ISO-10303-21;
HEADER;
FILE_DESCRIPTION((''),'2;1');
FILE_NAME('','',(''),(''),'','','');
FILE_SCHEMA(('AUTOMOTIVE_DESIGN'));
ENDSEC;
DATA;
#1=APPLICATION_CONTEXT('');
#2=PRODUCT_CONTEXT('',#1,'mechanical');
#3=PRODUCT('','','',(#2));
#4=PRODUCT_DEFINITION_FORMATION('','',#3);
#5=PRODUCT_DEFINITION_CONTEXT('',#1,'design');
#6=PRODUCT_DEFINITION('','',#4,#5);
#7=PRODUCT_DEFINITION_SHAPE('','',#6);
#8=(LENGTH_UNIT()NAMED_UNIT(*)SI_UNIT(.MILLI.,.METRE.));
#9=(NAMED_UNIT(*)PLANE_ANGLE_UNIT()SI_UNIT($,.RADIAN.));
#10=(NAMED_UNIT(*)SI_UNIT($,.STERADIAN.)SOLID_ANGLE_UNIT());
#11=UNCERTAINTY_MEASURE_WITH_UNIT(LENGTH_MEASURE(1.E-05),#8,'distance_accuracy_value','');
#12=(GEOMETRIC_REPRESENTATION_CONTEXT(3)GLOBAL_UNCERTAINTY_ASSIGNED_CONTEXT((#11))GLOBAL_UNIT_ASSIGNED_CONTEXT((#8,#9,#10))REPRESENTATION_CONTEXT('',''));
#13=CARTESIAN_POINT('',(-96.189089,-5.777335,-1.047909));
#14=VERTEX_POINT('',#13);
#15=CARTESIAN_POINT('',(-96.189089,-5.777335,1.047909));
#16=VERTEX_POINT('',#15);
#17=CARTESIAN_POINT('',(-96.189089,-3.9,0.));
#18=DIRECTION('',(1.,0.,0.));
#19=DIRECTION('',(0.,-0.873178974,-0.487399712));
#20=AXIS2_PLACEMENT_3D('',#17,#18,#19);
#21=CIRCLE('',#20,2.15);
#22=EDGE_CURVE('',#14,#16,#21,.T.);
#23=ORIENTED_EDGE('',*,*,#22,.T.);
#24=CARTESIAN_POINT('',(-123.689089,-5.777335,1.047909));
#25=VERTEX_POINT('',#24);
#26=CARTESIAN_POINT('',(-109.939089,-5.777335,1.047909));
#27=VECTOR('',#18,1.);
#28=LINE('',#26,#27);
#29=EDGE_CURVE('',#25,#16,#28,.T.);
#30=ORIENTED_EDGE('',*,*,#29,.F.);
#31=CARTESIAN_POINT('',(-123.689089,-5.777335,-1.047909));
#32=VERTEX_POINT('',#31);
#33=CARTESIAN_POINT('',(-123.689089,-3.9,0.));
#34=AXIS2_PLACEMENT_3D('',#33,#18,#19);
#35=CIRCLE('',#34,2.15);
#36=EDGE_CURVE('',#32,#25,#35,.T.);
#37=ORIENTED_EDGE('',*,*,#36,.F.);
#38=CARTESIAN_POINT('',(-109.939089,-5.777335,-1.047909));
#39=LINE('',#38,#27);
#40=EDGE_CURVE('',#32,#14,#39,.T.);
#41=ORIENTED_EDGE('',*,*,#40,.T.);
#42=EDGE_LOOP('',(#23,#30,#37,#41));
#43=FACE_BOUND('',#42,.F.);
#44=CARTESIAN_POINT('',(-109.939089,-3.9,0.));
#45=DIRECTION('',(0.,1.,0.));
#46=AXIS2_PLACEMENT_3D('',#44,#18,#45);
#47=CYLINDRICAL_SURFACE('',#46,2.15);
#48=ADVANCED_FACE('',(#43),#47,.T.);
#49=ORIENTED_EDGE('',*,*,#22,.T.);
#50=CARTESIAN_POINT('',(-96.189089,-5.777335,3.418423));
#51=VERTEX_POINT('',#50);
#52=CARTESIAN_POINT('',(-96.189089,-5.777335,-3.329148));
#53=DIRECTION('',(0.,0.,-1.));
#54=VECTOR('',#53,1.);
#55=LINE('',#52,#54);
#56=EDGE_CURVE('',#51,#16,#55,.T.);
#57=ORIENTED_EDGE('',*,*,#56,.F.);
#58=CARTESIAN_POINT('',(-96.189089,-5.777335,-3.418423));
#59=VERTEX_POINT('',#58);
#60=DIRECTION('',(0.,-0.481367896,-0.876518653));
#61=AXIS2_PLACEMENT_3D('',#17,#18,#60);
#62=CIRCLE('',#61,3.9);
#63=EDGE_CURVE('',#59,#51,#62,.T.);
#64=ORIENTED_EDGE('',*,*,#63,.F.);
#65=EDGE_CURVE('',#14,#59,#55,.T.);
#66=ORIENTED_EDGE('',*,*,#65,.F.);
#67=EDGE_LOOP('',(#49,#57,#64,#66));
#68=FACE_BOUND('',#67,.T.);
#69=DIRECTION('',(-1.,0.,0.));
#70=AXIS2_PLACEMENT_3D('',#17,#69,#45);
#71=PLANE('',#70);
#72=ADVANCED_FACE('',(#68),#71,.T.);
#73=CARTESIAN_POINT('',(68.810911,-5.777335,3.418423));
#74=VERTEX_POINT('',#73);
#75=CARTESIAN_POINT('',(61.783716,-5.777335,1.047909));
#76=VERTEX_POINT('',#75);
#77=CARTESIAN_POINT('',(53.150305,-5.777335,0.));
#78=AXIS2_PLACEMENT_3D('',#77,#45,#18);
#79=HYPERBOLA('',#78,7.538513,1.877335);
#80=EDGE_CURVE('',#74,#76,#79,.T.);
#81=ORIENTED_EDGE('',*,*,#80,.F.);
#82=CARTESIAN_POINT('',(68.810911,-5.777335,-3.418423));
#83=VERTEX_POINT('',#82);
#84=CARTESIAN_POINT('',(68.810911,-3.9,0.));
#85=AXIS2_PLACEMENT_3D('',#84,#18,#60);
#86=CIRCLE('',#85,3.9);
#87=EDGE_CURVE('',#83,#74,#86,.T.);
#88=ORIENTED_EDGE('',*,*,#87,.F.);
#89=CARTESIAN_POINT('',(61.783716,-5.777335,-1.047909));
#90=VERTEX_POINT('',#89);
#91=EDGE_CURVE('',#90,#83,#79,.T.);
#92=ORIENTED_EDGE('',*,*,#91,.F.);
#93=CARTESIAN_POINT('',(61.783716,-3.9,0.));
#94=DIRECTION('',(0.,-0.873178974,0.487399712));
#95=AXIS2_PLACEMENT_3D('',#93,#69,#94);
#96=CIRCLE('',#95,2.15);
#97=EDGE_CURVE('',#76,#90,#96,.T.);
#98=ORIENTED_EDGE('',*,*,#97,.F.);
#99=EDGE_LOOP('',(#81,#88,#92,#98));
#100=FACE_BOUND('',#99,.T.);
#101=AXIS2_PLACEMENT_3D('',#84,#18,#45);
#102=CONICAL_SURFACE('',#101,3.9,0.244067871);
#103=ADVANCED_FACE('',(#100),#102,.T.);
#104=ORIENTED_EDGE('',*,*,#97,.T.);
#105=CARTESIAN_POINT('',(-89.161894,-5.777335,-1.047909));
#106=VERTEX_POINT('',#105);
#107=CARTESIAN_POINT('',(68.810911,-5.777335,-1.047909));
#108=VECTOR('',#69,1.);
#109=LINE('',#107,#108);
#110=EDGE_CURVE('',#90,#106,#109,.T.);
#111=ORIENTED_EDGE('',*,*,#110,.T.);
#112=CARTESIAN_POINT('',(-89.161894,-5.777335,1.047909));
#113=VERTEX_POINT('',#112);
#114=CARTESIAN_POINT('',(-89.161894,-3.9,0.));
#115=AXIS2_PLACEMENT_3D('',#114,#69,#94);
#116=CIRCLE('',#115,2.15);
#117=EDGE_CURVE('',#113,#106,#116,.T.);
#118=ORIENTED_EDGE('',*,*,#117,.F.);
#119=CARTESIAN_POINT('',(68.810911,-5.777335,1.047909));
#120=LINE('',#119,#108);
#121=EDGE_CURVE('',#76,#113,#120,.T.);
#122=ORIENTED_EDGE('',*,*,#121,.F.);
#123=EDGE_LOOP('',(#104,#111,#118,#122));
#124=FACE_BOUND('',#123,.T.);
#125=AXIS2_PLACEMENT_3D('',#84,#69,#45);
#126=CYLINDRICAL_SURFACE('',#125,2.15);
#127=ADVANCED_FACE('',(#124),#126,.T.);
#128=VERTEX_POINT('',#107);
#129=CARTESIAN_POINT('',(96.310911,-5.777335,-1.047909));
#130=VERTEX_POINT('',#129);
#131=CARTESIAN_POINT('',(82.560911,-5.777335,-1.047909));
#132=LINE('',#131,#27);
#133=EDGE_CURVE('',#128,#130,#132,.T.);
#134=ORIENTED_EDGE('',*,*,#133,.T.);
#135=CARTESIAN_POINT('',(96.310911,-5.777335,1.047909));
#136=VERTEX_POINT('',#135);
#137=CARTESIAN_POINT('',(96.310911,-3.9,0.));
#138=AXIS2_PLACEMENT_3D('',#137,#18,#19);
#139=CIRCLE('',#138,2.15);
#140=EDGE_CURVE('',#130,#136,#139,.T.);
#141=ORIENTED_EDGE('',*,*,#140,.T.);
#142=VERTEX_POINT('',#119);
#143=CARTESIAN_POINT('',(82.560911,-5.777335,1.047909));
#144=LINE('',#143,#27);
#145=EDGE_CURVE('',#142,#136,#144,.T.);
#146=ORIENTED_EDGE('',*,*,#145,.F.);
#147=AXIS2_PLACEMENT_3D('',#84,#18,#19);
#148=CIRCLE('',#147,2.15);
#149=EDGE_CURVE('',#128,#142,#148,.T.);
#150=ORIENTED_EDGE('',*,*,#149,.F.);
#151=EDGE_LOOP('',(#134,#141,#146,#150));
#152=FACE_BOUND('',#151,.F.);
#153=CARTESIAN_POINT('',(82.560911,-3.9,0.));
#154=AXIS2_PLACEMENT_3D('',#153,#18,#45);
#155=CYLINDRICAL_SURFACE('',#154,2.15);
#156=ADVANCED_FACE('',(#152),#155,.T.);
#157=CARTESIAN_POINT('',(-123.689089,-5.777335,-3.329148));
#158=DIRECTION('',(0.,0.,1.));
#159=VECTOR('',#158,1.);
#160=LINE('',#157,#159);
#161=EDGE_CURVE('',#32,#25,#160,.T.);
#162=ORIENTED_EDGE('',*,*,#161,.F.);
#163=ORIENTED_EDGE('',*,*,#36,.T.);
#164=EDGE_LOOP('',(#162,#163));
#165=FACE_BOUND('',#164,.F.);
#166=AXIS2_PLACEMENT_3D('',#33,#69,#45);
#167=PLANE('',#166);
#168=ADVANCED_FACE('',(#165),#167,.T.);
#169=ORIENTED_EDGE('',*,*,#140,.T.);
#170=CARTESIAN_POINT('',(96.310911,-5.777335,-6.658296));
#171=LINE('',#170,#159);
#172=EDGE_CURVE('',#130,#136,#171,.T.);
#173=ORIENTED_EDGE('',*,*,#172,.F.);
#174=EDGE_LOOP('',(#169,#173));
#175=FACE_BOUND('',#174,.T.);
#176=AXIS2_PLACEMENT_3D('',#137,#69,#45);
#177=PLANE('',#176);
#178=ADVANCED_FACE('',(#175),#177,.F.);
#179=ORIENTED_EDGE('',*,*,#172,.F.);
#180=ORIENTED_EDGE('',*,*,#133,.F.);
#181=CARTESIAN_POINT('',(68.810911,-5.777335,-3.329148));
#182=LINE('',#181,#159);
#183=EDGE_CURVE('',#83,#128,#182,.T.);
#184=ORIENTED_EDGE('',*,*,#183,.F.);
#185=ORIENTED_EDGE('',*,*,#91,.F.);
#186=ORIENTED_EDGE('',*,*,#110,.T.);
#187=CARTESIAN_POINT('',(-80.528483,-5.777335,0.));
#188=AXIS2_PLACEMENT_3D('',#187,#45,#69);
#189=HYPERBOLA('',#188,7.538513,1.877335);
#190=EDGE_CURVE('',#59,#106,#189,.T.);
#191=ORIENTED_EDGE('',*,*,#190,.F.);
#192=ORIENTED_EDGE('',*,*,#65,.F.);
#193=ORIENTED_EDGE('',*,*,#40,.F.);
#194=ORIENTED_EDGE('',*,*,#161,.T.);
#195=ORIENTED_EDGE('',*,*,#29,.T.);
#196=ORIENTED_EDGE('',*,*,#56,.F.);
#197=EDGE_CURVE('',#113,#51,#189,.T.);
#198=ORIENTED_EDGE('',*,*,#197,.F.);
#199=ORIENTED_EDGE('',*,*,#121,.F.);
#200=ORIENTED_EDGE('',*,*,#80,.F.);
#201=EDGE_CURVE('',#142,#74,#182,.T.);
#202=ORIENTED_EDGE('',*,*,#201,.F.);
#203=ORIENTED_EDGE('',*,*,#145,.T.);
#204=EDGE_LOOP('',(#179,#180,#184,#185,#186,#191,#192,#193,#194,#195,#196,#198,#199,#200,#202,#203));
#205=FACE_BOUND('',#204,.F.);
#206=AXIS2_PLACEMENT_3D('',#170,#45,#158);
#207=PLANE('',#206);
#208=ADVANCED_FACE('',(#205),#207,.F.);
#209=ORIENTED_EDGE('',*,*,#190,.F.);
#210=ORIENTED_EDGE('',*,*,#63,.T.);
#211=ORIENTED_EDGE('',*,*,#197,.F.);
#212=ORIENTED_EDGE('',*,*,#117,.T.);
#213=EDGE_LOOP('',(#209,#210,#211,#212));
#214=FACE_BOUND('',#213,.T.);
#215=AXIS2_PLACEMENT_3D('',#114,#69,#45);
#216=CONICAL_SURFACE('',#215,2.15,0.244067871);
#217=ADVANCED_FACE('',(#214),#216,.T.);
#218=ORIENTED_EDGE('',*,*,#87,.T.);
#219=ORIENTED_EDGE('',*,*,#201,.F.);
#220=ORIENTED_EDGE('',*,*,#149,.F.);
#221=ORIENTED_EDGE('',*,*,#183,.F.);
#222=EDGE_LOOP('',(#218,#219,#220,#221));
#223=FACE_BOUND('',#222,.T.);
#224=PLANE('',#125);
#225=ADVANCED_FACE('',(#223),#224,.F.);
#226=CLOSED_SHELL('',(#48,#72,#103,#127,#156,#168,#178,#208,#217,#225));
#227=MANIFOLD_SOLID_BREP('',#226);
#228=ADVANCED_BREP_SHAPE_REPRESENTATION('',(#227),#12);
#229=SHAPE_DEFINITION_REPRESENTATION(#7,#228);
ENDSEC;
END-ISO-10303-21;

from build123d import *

# Parameters (mm, degrees)
F0_W     = 27.5
F0_H     = 2.15
F3_START = -220
F3_DEPTH = 245


with BuildPart() as f1:
    # F0 (on Top) → F1 (revolve)
    with BuildSketch(Plane.XY):
        Polygon((61.7837157349, -1.75), (-89.1618939737, -1.75), (-80.5284827948, -3.9), (53.1503045559, -3.9), align=None)
        Polygon((-89.1618939737, -1.75), (-96.1890891194, -1.75), (-96.1890891194, -3.9), (-80.5284827948, -3.9), align=None)
        Polygon((-96.1890891194, 0), (-96.1890891194, -1.75), (-89.1618939737, -1.75), align=None)
        with Locations((-109.9390891194, -2.825)):
            Rectangle(F0_W, F0_H)
        Polygon((68.8109108806, -1.75), (61.7837157349, -1.75), (53.1503045559, -3.9), (68.8109108806, -3.9), align=None)
        Polygon((68.8109108806, 0), (61.7837157349, -1.75), (68.8109108806, -1.75), align=None)
        with Locations((82.5609108806, -2.825)):
            Rectangle(F0_W, F0_H)
    revolve(axis=Axis((-13.6890891194, -3.9, 0), (-1, 0, 0)))

    # F2 (on face) → F3 (intersect)
    with BuildSketch(Plane(origin=(-123.6890891194, 0, 0), x_dir=(0, -1, 0), z_dir=(-1, 0, 0)).offset(F3_START)):
        with BuildLine():
            ThreePointArc((5.7773347944, -3.4184227459), (0, 0), (5.7773347944, 3.4184227459))
            Line((5.7773347944, 3.4184227459), (5.7773347944, 9.4206367507))
            Line((5.7773347944, 9.4206367507), (-5.0182881541, 9.4206367507))
            Line((-5.0182881541, 9.4206367507), (-5.0182881541, -6.6582962737))
            Line((-5.0182881541, -6.6582962737), (5.7773347944, -6.6582962737))
            Line((5.7773347944, -6.6582962737), (5.7773347944, -3.4184227459))
        make_face()
        with BuildLine():
            Line((5.7773347944, -1.0479093805), (5.7773347944, 1.0479093805))
            ThreePointArc((5.7773347944, 1.0479093805), (1.75, 0), (5.7773347944, -1.0479093805))
        make_face()
        with BuildLine():
            ThreePointArc((5.7773347944, -1.0479093805), (1.75, 0), (5.7773347944, 1.0479093805))
            Line((5.7773347944, 1.0479093805), (5.7773347944, 3.4184227459))
            ThreePointArc((5.7773347944, 3.4184227459), (0, 0), (5.7773347944, -3.4184227459))
            Line((5.7773347944, -3.4184227459), (5.7773347944, -1.0479093805))
        make_face()
    extrude(amount=F3_DEPTH, mode=Mode.INTERSECT)


solid = f1.part
